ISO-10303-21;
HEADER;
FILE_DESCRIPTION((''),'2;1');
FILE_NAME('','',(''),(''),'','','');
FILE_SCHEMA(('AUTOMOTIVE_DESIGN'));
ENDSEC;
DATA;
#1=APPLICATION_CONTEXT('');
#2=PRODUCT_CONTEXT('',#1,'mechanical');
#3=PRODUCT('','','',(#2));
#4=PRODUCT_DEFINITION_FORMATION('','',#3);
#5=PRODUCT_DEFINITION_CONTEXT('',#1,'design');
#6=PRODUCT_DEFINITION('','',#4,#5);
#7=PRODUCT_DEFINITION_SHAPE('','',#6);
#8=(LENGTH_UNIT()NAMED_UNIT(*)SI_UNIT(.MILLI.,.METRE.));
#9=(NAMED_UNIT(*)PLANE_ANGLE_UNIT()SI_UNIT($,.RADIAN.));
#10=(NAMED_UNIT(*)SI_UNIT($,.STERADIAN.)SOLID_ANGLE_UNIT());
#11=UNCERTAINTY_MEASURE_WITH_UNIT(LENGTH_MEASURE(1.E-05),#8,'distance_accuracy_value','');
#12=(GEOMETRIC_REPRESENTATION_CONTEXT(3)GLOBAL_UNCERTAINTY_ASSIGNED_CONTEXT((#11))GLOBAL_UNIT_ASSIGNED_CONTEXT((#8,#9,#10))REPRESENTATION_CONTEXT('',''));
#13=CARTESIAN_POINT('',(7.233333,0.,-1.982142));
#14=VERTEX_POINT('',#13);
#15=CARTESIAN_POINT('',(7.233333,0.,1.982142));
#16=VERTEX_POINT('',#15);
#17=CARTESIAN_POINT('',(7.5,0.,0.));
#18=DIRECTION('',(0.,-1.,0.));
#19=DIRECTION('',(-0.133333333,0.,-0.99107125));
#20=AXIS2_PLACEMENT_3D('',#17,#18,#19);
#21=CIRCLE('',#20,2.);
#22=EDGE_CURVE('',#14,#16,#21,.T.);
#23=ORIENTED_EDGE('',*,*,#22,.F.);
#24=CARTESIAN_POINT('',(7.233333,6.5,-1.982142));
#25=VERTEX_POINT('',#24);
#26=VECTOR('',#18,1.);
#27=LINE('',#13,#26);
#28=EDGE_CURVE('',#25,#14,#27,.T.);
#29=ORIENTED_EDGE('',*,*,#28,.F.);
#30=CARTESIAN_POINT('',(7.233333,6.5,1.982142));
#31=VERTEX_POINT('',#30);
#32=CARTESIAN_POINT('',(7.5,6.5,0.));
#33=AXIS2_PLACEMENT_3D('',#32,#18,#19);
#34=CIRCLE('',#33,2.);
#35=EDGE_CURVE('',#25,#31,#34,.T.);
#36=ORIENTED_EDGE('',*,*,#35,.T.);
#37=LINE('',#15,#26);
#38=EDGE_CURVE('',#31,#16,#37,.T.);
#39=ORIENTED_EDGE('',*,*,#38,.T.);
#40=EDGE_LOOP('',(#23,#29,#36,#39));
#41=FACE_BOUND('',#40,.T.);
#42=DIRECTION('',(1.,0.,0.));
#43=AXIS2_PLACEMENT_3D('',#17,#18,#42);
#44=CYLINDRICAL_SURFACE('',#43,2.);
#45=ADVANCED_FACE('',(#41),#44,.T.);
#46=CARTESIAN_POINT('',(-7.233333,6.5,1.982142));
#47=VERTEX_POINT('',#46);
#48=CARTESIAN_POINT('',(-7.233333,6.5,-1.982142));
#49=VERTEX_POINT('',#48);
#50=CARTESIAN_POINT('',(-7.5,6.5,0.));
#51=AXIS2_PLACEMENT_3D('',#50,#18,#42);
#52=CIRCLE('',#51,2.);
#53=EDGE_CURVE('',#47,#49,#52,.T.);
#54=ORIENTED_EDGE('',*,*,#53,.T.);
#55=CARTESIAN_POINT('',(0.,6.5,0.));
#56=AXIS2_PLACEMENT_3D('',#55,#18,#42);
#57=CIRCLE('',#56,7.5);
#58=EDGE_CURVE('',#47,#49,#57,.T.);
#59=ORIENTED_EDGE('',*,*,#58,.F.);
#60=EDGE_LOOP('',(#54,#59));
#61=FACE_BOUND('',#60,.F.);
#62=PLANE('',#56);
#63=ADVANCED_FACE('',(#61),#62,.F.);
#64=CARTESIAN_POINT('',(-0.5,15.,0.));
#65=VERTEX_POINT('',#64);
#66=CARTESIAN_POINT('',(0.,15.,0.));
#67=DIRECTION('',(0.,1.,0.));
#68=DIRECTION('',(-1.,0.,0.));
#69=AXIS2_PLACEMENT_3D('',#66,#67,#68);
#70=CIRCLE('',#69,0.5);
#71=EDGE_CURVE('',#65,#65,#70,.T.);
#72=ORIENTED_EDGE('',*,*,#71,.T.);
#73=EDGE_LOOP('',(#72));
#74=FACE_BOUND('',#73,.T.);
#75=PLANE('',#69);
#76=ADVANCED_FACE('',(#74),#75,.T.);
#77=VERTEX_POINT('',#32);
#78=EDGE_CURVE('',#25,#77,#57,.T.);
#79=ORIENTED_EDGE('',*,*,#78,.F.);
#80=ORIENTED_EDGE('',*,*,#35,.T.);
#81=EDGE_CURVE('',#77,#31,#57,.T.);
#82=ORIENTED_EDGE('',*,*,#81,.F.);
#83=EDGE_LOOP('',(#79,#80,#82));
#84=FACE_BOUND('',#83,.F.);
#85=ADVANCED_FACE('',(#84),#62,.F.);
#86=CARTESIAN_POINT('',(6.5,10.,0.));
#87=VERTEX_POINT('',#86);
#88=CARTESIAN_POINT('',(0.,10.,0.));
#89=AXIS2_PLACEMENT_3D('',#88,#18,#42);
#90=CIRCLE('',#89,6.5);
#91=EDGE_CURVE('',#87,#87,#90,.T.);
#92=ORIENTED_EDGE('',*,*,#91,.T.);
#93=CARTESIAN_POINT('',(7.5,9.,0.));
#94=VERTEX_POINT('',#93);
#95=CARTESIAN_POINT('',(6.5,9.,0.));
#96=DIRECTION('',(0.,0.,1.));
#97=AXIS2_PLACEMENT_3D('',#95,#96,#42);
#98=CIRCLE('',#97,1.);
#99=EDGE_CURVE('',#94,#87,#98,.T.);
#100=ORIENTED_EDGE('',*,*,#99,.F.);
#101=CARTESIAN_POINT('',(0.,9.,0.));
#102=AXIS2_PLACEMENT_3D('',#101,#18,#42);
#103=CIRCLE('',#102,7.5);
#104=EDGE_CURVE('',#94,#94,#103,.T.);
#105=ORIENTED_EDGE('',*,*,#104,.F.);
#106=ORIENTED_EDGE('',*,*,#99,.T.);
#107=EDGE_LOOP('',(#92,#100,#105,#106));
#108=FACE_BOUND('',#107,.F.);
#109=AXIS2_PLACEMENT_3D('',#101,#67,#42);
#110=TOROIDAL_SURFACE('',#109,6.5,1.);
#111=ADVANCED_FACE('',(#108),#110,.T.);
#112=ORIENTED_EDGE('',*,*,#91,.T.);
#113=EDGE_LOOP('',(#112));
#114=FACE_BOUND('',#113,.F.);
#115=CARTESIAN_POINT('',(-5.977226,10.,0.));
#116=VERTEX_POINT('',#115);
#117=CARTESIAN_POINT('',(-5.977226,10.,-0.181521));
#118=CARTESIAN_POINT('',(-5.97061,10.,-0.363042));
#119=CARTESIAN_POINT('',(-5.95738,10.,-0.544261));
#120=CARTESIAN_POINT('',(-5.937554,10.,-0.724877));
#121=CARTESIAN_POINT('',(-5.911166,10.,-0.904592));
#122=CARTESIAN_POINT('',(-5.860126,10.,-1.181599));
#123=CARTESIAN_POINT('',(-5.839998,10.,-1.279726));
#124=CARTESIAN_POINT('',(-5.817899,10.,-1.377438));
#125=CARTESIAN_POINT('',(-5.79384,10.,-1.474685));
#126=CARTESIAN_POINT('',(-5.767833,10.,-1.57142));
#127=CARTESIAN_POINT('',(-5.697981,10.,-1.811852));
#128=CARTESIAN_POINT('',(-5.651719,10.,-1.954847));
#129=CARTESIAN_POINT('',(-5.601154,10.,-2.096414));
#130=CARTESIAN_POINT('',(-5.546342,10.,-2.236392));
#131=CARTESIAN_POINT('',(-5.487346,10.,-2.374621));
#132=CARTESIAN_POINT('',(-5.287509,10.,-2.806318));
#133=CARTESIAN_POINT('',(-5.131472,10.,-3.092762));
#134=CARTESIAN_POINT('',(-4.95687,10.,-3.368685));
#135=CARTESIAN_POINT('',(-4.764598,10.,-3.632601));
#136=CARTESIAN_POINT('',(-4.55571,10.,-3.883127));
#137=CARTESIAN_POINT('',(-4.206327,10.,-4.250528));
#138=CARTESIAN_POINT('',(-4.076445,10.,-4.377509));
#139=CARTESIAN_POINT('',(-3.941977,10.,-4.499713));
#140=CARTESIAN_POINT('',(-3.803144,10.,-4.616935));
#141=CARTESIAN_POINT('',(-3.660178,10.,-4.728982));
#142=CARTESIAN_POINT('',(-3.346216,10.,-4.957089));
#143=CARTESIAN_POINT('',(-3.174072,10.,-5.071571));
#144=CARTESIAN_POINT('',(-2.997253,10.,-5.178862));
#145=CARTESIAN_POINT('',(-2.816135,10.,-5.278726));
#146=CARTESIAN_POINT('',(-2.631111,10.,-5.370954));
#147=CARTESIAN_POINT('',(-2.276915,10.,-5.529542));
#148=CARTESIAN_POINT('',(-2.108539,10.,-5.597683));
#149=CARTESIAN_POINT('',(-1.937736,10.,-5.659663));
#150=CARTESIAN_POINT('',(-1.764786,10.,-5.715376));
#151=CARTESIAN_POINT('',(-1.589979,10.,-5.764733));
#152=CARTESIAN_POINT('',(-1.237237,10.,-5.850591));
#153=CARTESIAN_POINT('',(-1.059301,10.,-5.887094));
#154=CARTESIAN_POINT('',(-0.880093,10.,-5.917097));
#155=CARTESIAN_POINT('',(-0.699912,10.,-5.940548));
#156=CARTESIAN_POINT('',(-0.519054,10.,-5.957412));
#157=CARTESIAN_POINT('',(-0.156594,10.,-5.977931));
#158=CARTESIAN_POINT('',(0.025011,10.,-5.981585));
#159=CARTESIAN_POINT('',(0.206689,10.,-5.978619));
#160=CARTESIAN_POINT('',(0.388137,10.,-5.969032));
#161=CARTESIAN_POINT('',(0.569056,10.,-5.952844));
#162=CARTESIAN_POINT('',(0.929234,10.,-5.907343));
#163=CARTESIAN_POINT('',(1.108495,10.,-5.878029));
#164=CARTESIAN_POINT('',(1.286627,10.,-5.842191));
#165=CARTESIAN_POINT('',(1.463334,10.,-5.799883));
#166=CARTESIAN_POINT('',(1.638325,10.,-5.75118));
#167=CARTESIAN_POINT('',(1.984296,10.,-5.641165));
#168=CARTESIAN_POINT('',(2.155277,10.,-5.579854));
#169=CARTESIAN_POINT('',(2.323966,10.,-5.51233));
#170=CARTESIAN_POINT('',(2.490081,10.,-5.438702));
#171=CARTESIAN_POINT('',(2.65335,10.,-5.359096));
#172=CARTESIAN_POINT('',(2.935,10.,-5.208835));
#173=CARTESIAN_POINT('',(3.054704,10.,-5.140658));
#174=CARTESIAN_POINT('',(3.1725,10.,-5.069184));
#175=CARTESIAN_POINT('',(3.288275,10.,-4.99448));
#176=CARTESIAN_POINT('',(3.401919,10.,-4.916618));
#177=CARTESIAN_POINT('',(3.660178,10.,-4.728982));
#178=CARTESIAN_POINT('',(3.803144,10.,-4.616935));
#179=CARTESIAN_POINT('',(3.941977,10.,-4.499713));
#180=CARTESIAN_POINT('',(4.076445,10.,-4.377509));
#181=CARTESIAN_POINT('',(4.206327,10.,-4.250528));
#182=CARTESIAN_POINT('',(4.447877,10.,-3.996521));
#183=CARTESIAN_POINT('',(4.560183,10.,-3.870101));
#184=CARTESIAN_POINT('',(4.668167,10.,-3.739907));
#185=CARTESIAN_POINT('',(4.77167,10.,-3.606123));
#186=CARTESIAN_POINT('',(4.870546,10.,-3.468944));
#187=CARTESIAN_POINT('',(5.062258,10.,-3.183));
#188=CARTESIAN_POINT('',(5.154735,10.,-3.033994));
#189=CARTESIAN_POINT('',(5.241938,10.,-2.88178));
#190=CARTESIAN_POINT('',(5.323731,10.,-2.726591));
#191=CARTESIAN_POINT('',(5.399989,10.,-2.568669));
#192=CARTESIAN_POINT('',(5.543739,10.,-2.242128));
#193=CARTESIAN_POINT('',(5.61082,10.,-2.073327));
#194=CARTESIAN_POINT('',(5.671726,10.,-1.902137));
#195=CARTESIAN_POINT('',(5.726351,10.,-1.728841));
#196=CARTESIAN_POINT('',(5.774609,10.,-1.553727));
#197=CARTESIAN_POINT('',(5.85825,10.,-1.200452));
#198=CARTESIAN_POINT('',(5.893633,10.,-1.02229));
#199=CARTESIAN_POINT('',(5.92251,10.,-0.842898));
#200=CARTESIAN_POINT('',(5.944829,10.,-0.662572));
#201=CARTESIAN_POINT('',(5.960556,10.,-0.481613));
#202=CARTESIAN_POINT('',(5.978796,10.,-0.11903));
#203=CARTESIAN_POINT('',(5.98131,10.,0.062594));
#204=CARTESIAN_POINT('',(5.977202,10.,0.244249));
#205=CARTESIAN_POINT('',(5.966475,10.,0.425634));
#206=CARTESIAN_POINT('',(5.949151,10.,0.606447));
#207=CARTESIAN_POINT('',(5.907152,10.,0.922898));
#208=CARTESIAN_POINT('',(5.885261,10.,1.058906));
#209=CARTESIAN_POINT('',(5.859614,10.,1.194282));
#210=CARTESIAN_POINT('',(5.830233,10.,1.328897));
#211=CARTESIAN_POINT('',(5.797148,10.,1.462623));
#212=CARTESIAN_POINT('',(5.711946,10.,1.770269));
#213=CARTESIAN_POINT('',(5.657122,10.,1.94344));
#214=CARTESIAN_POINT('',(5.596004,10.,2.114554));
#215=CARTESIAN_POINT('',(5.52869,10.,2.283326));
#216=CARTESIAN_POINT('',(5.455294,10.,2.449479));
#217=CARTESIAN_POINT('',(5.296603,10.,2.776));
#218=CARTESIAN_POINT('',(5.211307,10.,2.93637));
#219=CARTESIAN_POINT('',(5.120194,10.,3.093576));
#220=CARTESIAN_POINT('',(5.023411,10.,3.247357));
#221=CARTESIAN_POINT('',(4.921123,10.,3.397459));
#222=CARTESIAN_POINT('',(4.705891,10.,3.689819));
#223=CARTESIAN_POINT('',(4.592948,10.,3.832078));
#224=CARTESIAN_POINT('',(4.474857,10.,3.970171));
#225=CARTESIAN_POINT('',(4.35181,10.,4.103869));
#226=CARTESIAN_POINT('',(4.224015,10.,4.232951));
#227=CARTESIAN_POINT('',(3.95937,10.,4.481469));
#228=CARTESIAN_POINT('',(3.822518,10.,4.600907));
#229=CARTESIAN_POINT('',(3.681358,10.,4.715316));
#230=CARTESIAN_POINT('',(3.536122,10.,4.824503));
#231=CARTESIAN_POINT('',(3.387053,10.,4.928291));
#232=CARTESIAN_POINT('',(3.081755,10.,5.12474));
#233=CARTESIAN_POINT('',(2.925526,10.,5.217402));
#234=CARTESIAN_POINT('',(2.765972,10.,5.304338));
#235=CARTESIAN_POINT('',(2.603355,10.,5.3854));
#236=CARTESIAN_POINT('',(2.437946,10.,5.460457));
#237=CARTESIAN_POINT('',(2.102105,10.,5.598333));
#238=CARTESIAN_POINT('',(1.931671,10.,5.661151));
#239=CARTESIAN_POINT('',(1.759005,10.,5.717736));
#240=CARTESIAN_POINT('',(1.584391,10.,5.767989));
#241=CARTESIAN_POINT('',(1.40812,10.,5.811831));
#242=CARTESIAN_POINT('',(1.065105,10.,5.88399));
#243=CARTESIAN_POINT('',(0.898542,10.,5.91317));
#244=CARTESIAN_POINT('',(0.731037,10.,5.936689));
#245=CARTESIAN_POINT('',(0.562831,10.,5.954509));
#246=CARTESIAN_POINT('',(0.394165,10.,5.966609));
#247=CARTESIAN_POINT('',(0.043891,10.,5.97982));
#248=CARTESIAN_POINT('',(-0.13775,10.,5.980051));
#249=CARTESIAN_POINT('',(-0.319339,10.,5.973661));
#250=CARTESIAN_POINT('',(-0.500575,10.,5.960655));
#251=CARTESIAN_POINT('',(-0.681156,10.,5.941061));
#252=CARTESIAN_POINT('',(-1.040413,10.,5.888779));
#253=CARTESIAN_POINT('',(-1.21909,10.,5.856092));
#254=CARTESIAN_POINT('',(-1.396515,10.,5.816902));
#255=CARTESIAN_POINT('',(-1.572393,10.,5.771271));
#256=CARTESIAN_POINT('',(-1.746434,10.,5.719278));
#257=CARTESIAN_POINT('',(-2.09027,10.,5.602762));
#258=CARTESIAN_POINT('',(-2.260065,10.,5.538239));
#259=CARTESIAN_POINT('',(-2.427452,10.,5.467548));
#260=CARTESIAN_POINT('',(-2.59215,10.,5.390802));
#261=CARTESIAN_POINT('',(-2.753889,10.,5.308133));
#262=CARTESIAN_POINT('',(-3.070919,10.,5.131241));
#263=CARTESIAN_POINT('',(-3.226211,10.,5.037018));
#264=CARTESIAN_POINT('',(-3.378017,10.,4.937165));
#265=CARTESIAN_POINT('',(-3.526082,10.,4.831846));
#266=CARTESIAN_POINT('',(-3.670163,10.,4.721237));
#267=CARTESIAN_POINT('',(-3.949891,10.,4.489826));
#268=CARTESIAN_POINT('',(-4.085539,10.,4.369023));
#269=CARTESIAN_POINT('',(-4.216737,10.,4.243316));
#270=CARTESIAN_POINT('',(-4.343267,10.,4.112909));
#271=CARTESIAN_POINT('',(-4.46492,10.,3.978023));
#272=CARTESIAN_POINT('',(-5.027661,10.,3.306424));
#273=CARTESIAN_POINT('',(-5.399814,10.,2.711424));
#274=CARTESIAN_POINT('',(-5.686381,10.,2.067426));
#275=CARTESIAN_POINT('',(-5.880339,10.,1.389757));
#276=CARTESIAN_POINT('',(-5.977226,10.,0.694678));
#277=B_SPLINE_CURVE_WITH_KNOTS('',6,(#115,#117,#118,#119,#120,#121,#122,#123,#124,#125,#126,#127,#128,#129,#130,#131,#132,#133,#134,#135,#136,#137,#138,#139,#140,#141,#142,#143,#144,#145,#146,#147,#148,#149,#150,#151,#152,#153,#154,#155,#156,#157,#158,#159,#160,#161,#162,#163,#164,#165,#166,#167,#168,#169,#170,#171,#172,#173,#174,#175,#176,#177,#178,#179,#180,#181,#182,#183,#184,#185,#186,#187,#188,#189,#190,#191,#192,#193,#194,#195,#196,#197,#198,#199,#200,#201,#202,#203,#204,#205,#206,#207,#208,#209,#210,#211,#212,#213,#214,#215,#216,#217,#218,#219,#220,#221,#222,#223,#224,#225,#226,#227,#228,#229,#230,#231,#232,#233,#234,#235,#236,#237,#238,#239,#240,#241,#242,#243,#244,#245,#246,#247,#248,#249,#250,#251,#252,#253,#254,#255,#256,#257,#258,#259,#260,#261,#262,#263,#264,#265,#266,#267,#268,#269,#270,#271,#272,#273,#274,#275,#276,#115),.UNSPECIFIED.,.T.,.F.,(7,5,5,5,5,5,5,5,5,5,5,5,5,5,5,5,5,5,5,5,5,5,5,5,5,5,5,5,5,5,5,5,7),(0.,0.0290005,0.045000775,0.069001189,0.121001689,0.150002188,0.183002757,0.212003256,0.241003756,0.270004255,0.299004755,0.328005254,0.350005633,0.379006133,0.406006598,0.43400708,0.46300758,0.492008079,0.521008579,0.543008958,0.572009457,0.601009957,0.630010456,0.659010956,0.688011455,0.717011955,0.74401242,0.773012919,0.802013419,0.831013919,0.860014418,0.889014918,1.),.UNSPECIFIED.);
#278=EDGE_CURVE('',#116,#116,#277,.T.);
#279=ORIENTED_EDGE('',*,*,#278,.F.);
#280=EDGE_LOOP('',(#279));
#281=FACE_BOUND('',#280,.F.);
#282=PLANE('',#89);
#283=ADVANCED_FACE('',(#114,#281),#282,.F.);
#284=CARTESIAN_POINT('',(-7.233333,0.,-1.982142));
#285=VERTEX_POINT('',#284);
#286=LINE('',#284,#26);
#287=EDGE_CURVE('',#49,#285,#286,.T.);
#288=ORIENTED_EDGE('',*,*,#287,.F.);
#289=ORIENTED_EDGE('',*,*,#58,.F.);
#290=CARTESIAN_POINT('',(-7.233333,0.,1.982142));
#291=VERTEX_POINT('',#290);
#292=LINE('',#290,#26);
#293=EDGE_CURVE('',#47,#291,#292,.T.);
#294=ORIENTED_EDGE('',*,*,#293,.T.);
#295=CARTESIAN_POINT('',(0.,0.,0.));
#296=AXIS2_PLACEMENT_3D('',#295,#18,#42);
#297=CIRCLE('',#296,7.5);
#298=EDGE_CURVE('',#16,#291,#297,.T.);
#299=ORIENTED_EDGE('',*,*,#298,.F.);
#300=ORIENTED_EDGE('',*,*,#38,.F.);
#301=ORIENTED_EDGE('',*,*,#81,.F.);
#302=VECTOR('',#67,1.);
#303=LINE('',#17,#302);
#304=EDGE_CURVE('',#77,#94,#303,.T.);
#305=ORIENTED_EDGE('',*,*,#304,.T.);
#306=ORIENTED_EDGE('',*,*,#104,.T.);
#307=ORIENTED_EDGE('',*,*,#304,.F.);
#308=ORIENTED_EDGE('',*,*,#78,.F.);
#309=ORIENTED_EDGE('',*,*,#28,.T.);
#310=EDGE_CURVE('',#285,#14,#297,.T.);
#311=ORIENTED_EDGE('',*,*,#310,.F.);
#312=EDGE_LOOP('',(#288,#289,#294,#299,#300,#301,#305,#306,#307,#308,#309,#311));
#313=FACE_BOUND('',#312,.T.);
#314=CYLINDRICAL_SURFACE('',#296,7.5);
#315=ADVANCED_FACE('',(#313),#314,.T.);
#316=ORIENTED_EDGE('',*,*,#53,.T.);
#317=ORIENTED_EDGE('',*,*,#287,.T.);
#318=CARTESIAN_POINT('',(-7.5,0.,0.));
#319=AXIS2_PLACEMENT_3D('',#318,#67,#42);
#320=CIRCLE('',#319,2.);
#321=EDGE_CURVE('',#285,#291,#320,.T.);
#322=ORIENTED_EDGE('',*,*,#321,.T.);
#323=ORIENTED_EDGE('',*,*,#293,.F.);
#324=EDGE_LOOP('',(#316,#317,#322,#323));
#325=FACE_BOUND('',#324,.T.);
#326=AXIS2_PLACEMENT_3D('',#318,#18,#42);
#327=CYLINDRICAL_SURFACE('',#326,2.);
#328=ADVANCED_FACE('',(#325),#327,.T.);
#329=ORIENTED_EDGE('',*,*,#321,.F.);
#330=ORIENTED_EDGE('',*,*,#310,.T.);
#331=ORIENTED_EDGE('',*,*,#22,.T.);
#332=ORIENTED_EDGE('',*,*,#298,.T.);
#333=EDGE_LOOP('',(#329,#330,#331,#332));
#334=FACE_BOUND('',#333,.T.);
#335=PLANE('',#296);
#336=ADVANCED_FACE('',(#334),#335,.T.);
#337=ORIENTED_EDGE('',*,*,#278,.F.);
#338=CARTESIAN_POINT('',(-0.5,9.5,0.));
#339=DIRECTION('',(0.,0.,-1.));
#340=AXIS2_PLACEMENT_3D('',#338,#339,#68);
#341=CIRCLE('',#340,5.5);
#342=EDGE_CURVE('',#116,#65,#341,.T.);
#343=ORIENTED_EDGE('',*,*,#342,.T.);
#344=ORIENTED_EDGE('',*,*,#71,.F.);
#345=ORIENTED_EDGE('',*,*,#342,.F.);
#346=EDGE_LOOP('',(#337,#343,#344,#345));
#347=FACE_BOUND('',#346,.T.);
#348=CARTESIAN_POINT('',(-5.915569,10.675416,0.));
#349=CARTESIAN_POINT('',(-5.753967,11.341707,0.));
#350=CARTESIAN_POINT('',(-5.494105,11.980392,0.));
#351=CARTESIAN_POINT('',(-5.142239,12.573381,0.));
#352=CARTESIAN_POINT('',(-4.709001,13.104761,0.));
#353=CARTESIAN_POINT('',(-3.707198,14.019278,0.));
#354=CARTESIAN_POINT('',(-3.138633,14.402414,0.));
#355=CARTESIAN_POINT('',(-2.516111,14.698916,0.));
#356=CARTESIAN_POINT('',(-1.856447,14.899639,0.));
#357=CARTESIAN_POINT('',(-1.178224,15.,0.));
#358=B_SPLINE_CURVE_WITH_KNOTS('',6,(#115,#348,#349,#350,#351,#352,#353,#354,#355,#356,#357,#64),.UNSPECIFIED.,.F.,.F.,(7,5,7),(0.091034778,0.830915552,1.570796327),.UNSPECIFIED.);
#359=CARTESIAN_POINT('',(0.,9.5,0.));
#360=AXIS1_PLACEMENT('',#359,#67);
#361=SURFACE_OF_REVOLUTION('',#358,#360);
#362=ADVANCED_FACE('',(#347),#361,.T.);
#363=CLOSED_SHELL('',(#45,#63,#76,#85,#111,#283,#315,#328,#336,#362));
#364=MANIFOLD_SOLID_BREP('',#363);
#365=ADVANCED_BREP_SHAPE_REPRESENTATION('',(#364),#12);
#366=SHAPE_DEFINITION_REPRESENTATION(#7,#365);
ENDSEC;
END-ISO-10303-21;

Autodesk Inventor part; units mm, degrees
ref_plane "YZ Plane" through (0, 0, 0) normal (1, 0, 0) x (0, 1, 0)
ref_plane "XZ Plane" through (0, 0, 0) normal (0, 1, 0) x (-1, 0, 0)
ref_plane "XY Plane" through (0, 0, 0) normal (0, 0, 1) x (1, 0, 0)
sketch "Boceto1" plane through (0, 0, 0) normal (0, 1, 0) x (-1, 0, 0)
  circle A0 centre (0, 0) radius 6
  dimension "d0" = 0
  dimension "d1" = 0
  dimension "d2" = 12
extrude "Extrusión1" add sketch "Boceto1" along normal blind 15
fillet "Empalme1" radius 5.5 1 edges at (6, 15, 0)
sketch "Boceto2" plane through (0, 0, 0) normal (0, -1, 0) x (1, 0, 0)
  circle A0 centre (0, 0) radius 7.5
  dimension "d6" = 15
extrude "Extrusión2" add sketch "Boceto2" against normal blind 10
fillet "Empalme2" radius 1 1 edges at (-7.5, 10, 0)
sketch "Boceto3" plane through (0, 0, 0) normal (0, -1, 0) x (1, 0, 0)
  circle A0 centre (0, 0) radius 6.5 projected
  circle A1 centre (7.5, 0) radius 2
  circle A2 centre (-7.5, 0) radius 2
  dimension "d10" = 7.5
  dimension "d12" = 4
  dimension "d14" = 7.5
  dimension "d15" = 4
extrude "Extrusión3" add sketch "Boceto3" against normal blind 6.5 contours A0 A1 | A0 A1 | A2 A0 | A0 A2
equation "\"Radio_pliegue\" = Grosor"
equation "\"Anchura_desahogo_plegado\" = Grosor"
equation "\"Profundidad_desahogo_plegado\" = 0.5 * Grosor"
equation "\"Tamaño_destalonado\" = 4 * Grosor"
equation "\"Remanente_mínimo\" = 2 * Grosor"
equation "\"Radiodetransición\" = Radio_pliegue"
equation "\"Tamaño_de_radio_de_Jacobi\" = Radio_pliegue"
equation "\"TamañoSeparación\" = Grosor"
equation "\"Grosor\" = 0.5"
properties part number "Rueda Loca"
